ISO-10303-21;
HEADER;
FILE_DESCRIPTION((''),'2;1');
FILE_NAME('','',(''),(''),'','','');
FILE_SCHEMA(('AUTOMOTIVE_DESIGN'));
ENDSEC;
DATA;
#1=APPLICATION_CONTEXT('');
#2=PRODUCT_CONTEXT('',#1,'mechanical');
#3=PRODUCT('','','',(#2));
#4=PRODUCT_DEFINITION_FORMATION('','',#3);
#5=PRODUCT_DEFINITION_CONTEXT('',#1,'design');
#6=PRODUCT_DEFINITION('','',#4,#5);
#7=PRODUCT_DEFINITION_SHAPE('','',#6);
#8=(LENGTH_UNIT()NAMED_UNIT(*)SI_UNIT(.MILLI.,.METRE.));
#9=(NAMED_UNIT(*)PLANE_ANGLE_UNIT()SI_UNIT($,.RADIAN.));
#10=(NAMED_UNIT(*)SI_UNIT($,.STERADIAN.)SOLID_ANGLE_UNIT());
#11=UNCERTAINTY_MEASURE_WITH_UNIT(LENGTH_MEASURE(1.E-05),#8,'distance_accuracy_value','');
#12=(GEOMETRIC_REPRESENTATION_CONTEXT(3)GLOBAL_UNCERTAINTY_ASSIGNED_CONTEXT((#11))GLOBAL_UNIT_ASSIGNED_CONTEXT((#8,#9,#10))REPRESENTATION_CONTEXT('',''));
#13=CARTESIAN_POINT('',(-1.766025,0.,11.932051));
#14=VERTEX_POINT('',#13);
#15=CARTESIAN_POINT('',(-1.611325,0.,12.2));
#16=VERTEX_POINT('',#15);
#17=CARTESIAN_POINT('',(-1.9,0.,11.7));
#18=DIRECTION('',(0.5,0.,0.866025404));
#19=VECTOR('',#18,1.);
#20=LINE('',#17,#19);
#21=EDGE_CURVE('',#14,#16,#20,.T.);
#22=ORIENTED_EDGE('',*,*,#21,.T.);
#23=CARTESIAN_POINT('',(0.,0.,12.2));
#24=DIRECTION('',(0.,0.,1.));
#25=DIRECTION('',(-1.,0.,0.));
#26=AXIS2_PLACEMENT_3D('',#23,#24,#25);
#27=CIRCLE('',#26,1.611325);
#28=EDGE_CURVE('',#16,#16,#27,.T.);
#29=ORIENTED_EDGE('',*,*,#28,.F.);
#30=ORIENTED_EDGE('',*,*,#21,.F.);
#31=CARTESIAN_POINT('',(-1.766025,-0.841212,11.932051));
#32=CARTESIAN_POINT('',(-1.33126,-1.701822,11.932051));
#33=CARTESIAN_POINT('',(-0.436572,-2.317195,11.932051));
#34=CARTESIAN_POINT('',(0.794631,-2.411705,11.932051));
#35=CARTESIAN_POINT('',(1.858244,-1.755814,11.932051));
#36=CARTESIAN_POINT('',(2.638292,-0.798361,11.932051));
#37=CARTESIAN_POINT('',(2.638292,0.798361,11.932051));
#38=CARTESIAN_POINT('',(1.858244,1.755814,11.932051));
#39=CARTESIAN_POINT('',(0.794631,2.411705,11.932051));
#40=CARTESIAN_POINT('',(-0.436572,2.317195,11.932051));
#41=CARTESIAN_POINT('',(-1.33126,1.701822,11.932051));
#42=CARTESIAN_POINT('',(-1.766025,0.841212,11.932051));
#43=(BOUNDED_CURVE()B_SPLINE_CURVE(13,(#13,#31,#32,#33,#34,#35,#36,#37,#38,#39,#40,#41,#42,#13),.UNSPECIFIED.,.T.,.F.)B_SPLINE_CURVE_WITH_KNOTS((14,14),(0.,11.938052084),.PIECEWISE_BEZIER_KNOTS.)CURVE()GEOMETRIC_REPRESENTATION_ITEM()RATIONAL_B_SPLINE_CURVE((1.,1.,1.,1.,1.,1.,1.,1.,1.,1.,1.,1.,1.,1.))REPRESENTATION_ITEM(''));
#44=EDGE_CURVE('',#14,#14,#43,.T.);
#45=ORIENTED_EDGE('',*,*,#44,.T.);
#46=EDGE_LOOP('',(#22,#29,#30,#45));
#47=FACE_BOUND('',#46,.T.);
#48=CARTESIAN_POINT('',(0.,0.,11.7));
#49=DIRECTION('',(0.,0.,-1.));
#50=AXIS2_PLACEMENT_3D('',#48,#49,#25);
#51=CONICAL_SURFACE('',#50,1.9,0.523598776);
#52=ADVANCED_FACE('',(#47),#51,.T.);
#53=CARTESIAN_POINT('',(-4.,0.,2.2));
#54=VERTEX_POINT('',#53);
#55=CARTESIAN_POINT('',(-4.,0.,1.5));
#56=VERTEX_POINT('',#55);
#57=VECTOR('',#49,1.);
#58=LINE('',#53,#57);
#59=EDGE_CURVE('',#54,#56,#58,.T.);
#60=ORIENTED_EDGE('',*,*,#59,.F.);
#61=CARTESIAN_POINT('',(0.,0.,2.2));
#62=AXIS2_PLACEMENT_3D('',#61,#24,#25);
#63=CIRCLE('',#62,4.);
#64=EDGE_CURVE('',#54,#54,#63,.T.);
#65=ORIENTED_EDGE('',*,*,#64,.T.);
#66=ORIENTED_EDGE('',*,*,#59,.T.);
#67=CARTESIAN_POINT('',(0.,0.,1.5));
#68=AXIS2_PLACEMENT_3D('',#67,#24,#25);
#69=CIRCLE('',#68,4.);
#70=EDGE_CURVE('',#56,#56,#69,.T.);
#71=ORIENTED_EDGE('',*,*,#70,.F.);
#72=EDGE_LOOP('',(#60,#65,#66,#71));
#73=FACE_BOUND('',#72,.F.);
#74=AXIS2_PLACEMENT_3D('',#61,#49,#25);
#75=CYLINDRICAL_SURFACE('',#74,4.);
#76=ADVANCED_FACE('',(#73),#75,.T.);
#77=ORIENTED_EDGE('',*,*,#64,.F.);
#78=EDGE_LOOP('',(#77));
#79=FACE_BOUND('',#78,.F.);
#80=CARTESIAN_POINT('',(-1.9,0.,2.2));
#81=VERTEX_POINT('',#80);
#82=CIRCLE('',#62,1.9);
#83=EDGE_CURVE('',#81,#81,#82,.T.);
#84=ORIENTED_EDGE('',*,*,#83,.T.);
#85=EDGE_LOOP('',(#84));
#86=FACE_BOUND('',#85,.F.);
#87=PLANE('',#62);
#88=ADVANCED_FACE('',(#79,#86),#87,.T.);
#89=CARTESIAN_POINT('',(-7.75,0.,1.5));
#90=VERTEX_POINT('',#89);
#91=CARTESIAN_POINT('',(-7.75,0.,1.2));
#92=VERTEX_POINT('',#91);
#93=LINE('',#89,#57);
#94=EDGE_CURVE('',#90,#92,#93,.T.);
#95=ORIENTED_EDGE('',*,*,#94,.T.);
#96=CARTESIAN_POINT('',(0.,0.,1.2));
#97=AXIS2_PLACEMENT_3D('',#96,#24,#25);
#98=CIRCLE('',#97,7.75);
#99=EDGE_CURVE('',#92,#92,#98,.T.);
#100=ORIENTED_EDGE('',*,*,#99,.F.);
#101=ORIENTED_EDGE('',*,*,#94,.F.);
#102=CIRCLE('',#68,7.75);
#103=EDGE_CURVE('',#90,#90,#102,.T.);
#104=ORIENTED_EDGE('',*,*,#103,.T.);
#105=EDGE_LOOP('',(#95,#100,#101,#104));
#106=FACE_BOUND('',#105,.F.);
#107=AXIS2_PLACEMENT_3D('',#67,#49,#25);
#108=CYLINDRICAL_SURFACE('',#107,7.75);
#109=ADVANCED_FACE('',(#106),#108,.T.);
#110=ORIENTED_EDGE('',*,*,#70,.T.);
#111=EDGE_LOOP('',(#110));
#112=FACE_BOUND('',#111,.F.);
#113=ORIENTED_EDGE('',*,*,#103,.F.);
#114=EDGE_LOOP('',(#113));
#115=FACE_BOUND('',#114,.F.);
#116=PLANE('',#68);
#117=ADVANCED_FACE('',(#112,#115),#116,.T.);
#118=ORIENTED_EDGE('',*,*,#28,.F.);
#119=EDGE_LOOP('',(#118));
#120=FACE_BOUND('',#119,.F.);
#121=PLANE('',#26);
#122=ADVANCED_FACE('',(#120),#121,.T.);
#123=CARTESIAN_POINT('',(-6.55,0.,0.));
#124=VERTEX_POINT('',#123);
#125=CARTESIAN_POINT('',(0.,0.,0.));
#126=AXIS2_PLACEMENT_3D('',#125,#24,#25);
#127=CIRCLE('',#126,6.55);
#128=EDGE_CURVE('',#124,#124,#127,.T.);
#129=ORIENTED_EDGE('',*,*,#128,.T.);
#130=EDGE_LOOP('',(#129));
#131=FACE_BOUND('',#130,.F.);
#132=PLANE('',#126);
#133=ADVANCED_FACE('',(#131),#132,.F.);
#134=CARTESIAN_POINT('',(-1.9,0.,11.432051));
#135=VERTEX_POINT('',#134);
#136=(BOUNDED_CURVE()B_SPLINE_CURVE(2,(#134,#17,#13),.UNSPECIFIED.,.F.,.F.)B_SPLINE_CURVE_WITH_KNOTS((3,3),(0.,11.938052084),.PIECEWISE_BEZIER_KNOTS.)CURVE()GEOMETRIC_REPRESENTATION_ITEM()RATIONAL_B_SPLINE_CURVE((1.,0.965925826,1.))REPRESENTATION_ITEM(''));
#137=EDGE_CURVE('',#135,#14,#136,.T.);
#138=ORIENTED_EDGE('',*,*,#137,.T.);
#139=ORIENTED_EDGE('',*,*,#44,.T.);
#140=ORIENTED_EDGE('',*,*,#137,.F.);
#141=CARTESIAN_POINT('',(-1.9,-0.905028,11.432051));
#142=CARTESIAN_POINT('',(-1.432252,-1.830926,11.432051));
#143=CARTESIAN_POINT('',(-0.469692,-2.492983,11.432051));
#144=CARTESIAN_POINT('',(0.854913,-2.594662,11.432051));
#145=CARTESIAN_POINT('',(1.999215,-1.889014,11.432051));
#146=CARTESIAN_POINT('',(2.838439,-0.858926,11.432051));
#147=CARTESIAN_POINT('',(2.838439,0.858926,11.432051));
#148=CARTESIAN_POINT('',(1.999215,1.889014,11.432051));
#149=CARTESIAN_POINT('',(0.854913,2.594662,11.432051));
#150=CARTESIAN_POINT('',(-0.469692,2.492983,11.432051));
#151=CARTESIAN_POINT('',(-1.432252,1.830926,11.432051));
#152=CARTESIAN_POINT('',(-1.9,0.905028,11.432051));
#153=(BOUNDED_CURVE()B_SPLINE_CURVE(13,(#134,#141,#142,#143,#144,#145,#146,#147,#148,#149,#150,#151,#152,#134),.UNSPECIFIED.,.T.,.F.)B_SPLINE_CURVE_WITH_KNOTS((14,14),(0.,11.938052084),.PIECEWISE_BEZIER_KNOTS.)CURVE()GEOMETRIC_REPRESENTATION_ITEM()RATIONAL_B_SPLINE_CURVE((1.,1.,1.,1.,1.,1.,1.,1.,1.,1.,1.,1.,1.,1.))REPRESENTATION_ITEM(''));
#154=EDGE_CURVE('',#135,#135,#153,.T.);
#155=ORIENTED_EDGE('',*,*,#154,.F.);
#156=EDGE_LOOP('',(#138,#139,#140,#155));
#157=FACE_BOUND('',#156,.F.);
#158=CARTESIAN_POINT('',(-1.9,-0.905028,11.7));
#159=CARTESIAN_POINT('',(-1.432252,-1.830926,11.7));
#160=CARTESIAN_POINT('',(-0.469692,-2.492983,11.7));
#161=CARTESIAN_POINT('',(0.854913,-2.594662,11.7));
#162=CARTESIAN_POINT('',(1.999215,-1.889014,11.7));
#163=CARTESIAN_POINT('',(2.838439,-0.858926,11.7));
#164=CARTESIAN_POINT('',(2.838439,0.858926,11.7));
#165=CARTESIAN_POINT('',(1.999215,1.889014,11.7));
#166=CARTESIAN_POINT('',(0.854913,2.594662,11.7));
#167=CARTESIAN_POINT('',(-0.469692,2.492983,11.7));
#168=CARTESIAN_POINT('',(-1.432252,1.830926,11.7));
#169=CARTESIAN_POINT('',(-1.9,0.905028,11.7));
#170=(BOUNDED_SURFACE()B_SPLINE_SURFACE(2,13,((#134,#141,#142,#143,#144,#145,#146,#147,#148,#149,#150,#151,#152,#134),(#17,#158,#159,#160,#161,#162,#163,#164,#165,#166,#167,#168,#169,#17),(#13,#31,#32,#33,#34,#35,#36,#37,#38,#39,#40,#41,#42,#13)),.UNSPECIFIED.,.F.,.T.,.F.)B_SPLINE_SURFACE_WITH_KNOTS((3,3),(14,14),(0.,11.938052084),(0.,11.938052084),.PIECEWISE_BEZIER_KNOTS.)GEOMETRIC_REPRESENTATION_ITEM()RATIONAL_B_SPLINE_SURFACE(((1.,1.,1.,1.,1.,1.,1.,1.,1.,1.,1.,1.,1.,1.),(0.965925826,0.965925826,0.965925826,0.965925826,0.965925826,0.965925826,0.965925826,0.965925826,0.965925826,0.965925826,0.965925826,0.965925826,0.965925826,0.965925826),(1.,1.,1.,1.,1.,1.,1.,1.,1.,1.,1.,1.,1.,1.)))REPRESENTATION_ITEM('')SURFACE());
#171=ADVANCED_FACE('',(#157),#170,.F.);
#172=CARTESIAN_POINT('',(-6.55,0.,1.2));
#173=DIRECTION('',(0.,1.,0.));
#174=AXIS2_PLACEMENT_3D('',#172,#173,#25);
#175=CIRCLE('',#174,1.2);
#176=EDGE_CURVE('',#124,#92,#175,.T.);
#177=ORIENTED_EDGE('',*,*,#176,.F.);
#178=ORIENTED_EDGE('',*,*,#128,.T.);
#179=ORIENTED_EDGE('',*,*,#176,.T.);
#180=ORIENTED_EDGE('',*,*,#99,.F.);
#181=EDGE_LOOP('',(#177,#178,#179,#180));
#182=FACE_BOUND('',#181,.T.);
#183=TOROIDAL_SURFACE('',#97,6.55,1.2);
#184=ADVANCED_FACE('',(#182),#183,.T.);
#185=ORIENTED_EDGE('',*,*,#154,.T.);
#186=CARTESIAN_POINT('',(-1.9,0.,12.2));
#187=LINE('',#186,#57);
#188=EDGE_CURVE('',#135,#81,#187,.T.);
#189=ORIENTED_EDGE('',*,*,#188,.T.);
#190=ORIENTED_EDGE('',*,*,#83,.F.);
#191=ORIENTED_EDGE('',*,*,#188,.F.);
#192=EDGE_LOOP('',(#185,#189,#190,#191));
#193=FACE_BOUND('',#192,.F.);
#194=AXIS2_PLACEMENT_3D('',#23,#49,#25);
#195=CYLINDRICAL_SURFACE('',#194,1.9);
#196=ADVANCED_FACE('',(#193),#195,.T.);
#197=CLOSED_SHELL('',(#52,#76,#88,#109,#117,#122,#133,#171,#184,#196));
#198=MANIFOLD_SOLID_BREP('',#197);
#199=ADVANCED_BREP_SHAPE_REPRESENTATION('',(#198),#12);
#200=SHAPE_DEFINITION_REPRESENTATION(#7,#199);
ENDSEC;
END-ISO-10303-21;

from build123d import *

# Parameters (mm, degrees)
F2_R     = 1.2
F3_SIZE2 = 0.2886751346
F3_SIZE  = 0.5
F4_R     = 1


with BuildPart() as f1:
    # F0 (on Front) → F1 (revolve)
    with BuildSketch(Plane.XZ):
        Polygon((-7.75, 0), (0, 0), (0, 12.2), (-1.9, 12.2), (-1.9, 2.2), (-4, 2.2), (-4, 1.5), (-7.75, 1.5), align=None)
    revolve(axis=Axis((0, 0, 5.0761818423), (0, 0, 1)))

    # F2
    f2_edges = [f1.edges().sort_by_distance(p)[0] for p in [
        (7.75, 0, 0),
    ]]
    fillet(f2_edges, radius=F2_R)

    # F3
    f3_edges = [f1.edges().sort_by_distance(p)[0] for p in [
        (1.9, 0, 12.2),
    ]]
    chamfer(f3_edges, length=F3_SIZE, length2=F3_SIZE2)

    # F4
    f4_edges = [f1.edges().sort_by_distance(p)[0] for p in [
        (1.9, 0, 11.7),
    ]]
    fillet(f4_edges, radius=F4_R)


solid = f1.part
